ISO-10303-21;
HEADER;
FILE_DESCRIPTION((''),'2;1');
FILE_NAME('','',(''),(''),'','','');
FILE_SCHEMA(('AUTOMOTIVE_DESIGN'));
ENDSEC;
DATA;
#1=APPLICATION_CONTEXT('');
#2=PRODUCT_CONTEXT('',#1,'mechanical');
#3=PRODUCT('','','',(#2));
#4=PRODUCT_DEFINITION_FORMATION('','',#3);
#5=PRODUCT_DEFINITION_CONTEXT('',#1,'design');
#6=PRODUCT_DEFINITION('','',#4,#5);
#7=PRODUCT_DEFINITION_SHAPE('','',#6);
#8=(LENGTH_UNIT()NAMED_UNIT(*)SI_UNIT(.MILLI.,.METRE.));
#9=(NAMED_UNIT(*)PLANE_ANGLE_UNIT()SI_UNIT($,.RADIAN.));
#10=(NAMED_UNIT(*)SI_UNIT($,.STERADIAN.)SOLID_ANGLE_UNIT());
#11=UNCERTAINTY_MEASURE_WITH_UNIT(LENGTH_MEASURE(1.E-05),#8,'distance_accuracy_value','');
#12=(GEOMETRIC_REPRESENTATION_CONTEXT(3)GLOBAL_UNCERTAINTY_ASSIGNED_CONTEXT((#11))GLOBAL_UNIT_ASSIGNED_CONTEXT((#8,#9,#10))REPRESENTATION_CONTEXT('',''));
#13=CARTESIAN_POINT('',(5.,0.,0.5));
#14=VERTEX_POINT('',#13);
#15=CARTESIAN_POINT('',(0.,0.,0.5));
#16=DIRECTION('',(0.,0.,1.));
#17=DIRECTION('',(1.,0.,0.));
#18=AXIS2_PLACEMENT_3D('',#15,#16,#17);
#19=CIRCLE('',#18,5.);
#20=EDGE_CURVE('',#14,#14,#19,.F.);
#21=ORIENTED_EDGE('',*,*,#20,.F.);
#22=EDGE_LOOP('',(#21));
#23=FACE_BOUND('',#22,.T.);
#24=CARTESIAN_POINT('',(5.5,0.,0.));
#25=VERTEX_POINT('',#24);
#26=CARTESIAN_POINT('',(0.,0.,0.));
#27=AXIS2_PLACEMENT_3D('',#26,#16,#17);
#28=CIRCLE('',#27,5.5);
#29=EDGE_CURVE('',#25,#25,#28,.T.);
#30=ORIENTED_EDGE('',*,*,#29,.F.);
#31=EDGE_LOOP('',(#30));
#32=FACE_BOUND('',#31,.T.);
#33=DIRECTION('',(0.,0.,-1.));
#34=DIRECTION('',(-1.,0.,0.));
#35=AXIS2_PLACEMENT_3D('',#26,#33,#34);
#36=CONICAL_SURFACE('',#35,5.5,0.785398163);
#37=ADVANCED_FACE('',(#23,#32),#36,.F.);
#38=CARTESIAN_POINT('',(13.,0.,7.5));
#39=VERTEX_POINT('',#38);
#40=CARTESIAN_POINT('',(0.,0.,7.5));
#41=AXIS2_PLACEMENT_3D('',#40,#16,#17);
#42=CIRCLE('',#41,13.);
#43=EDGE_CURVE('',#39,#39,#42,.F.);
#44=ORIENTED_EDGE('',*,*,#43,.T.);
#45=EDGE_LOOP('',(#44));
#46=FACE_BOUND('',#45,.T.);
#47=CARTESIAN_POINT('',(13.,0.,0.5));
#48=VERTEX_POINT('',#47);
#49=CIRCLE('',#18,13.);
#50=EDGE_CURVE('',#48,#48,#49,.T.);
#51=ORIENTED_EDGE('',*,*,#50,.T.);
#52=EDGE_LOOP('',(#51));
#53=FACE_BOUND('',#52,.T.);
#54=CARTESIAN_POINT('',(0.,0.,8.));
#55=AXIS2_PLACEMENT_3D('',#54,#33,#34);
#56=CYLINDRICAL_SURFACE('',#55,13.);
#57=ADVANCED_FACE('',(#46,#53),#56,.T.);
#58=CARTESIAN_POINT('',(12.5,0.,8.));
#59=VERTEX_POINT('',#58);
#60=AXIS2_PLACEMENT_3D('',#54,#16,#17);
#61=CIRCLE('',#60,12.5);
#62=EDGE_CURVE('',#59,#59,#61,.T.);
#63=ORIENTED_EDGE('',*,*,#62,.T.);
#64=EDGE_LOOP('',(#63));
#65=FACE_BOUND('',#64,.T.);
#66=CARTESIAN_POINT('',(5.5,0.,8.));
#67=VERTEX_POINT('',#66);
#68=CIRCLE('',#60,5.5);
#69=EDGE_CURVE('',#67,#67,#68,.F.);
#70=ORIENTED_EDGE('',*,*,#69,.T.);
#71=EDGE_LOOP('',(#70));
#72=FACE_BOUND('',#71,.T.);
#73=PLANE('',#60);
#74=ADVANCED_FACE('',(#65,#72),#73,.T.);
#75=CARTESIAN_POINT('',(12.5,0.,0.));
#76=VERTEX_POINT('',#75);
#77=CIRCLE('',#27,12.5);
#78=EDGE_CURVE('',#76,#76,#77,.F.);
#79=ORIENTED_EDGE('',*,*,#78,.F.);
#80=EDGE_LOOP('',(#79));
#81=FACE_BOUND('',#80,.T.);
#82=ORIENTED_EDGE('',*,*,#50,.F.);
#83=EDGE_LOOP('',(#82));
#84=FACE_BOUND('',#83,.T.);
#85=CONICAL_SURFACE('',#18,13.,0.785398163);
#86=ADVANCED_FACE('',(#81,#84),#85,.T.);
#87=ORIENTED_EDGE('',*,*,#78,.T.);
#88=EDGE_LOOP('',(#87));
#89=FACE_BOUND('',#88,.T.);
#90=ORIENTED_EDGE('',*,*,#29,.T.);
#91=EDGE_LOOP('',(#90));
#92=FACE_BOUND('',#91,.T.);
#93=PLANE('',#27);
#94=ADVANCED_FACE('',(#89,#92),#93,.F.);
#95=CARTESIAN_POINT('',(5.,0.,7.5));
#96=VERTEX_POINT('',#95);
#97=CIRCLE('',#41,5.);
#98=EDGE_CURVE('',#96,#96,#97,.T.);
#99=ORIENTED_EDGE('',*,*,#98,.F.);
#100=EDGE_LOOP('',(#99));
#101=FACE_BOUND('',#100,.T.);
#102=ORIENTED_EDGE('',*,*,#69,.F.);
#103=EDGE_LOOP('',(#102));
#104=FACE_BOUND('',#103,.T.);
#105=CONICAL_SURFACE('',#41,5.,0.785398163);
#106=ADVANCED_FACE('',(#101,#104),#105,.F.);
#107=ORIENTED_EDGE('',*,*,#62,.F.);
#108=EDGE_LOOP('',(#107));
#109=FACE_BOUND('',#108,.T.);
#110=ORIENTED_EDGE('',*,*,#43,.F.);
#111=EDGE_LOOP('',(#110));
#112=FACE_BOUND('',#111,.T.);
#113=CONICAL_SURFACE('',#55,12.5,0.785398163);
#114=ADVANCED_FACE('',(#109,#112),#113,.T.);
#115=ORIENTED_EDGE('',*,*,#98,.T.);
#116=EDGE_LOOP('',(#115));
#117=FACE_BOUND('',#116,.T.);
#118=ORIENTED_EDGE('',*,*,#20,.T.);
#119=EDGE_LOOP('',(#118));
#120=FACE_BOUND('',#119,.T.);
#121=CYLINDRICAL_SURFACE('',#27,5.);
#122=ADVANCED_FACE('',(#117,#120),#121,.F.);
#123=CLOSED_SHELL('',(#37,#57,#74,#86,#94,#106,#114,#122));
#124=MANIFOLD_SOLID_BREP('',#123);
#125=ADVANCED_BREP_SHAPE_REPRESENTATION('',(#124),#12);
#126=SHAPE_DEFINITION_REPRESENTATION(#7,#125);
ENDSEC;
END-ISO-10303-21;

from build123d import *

# Parameters (mm, degrees)
SKETCH1_R           = 13
BOSS_EXTRUDE1_DEPTH = 8
SKETCH2_R           = 5
CUT_EXTRUDE1_DEPTH  = 8
CHAMFER1_SIZE       = 0.5


with BuildPart() as part:
    # Sketch1 → Boss-Extrude1 (new body)
    with BuildSketch(Plane.XY):
        Circle(SKETCH1_R)
    extrude(amount=BOSS_EXTRUDE1_DEPTH)

    # Sketch2 → Cut-Extrude1 (cut)
    with BuildSketch(Plane.XY.offset(8)):
        Circle(SKETCH2_R)
    extrude(amount=-CUT_EXTRUDE1_DEPTH, mode=Mode.SUBTRACT)

    # Chamfer1
    chamfer1_edges = [part.edges().sort_by_distance(p)[0] for p in [
        (-13, 0, 0),
        (-13, 0, 8),
        (-5, 0, 0),
        (-5, 0, 8),
    ]]
    chamfer(chamfer1_edges, length=CHAMFER1_SIZE)


solid = part.part
